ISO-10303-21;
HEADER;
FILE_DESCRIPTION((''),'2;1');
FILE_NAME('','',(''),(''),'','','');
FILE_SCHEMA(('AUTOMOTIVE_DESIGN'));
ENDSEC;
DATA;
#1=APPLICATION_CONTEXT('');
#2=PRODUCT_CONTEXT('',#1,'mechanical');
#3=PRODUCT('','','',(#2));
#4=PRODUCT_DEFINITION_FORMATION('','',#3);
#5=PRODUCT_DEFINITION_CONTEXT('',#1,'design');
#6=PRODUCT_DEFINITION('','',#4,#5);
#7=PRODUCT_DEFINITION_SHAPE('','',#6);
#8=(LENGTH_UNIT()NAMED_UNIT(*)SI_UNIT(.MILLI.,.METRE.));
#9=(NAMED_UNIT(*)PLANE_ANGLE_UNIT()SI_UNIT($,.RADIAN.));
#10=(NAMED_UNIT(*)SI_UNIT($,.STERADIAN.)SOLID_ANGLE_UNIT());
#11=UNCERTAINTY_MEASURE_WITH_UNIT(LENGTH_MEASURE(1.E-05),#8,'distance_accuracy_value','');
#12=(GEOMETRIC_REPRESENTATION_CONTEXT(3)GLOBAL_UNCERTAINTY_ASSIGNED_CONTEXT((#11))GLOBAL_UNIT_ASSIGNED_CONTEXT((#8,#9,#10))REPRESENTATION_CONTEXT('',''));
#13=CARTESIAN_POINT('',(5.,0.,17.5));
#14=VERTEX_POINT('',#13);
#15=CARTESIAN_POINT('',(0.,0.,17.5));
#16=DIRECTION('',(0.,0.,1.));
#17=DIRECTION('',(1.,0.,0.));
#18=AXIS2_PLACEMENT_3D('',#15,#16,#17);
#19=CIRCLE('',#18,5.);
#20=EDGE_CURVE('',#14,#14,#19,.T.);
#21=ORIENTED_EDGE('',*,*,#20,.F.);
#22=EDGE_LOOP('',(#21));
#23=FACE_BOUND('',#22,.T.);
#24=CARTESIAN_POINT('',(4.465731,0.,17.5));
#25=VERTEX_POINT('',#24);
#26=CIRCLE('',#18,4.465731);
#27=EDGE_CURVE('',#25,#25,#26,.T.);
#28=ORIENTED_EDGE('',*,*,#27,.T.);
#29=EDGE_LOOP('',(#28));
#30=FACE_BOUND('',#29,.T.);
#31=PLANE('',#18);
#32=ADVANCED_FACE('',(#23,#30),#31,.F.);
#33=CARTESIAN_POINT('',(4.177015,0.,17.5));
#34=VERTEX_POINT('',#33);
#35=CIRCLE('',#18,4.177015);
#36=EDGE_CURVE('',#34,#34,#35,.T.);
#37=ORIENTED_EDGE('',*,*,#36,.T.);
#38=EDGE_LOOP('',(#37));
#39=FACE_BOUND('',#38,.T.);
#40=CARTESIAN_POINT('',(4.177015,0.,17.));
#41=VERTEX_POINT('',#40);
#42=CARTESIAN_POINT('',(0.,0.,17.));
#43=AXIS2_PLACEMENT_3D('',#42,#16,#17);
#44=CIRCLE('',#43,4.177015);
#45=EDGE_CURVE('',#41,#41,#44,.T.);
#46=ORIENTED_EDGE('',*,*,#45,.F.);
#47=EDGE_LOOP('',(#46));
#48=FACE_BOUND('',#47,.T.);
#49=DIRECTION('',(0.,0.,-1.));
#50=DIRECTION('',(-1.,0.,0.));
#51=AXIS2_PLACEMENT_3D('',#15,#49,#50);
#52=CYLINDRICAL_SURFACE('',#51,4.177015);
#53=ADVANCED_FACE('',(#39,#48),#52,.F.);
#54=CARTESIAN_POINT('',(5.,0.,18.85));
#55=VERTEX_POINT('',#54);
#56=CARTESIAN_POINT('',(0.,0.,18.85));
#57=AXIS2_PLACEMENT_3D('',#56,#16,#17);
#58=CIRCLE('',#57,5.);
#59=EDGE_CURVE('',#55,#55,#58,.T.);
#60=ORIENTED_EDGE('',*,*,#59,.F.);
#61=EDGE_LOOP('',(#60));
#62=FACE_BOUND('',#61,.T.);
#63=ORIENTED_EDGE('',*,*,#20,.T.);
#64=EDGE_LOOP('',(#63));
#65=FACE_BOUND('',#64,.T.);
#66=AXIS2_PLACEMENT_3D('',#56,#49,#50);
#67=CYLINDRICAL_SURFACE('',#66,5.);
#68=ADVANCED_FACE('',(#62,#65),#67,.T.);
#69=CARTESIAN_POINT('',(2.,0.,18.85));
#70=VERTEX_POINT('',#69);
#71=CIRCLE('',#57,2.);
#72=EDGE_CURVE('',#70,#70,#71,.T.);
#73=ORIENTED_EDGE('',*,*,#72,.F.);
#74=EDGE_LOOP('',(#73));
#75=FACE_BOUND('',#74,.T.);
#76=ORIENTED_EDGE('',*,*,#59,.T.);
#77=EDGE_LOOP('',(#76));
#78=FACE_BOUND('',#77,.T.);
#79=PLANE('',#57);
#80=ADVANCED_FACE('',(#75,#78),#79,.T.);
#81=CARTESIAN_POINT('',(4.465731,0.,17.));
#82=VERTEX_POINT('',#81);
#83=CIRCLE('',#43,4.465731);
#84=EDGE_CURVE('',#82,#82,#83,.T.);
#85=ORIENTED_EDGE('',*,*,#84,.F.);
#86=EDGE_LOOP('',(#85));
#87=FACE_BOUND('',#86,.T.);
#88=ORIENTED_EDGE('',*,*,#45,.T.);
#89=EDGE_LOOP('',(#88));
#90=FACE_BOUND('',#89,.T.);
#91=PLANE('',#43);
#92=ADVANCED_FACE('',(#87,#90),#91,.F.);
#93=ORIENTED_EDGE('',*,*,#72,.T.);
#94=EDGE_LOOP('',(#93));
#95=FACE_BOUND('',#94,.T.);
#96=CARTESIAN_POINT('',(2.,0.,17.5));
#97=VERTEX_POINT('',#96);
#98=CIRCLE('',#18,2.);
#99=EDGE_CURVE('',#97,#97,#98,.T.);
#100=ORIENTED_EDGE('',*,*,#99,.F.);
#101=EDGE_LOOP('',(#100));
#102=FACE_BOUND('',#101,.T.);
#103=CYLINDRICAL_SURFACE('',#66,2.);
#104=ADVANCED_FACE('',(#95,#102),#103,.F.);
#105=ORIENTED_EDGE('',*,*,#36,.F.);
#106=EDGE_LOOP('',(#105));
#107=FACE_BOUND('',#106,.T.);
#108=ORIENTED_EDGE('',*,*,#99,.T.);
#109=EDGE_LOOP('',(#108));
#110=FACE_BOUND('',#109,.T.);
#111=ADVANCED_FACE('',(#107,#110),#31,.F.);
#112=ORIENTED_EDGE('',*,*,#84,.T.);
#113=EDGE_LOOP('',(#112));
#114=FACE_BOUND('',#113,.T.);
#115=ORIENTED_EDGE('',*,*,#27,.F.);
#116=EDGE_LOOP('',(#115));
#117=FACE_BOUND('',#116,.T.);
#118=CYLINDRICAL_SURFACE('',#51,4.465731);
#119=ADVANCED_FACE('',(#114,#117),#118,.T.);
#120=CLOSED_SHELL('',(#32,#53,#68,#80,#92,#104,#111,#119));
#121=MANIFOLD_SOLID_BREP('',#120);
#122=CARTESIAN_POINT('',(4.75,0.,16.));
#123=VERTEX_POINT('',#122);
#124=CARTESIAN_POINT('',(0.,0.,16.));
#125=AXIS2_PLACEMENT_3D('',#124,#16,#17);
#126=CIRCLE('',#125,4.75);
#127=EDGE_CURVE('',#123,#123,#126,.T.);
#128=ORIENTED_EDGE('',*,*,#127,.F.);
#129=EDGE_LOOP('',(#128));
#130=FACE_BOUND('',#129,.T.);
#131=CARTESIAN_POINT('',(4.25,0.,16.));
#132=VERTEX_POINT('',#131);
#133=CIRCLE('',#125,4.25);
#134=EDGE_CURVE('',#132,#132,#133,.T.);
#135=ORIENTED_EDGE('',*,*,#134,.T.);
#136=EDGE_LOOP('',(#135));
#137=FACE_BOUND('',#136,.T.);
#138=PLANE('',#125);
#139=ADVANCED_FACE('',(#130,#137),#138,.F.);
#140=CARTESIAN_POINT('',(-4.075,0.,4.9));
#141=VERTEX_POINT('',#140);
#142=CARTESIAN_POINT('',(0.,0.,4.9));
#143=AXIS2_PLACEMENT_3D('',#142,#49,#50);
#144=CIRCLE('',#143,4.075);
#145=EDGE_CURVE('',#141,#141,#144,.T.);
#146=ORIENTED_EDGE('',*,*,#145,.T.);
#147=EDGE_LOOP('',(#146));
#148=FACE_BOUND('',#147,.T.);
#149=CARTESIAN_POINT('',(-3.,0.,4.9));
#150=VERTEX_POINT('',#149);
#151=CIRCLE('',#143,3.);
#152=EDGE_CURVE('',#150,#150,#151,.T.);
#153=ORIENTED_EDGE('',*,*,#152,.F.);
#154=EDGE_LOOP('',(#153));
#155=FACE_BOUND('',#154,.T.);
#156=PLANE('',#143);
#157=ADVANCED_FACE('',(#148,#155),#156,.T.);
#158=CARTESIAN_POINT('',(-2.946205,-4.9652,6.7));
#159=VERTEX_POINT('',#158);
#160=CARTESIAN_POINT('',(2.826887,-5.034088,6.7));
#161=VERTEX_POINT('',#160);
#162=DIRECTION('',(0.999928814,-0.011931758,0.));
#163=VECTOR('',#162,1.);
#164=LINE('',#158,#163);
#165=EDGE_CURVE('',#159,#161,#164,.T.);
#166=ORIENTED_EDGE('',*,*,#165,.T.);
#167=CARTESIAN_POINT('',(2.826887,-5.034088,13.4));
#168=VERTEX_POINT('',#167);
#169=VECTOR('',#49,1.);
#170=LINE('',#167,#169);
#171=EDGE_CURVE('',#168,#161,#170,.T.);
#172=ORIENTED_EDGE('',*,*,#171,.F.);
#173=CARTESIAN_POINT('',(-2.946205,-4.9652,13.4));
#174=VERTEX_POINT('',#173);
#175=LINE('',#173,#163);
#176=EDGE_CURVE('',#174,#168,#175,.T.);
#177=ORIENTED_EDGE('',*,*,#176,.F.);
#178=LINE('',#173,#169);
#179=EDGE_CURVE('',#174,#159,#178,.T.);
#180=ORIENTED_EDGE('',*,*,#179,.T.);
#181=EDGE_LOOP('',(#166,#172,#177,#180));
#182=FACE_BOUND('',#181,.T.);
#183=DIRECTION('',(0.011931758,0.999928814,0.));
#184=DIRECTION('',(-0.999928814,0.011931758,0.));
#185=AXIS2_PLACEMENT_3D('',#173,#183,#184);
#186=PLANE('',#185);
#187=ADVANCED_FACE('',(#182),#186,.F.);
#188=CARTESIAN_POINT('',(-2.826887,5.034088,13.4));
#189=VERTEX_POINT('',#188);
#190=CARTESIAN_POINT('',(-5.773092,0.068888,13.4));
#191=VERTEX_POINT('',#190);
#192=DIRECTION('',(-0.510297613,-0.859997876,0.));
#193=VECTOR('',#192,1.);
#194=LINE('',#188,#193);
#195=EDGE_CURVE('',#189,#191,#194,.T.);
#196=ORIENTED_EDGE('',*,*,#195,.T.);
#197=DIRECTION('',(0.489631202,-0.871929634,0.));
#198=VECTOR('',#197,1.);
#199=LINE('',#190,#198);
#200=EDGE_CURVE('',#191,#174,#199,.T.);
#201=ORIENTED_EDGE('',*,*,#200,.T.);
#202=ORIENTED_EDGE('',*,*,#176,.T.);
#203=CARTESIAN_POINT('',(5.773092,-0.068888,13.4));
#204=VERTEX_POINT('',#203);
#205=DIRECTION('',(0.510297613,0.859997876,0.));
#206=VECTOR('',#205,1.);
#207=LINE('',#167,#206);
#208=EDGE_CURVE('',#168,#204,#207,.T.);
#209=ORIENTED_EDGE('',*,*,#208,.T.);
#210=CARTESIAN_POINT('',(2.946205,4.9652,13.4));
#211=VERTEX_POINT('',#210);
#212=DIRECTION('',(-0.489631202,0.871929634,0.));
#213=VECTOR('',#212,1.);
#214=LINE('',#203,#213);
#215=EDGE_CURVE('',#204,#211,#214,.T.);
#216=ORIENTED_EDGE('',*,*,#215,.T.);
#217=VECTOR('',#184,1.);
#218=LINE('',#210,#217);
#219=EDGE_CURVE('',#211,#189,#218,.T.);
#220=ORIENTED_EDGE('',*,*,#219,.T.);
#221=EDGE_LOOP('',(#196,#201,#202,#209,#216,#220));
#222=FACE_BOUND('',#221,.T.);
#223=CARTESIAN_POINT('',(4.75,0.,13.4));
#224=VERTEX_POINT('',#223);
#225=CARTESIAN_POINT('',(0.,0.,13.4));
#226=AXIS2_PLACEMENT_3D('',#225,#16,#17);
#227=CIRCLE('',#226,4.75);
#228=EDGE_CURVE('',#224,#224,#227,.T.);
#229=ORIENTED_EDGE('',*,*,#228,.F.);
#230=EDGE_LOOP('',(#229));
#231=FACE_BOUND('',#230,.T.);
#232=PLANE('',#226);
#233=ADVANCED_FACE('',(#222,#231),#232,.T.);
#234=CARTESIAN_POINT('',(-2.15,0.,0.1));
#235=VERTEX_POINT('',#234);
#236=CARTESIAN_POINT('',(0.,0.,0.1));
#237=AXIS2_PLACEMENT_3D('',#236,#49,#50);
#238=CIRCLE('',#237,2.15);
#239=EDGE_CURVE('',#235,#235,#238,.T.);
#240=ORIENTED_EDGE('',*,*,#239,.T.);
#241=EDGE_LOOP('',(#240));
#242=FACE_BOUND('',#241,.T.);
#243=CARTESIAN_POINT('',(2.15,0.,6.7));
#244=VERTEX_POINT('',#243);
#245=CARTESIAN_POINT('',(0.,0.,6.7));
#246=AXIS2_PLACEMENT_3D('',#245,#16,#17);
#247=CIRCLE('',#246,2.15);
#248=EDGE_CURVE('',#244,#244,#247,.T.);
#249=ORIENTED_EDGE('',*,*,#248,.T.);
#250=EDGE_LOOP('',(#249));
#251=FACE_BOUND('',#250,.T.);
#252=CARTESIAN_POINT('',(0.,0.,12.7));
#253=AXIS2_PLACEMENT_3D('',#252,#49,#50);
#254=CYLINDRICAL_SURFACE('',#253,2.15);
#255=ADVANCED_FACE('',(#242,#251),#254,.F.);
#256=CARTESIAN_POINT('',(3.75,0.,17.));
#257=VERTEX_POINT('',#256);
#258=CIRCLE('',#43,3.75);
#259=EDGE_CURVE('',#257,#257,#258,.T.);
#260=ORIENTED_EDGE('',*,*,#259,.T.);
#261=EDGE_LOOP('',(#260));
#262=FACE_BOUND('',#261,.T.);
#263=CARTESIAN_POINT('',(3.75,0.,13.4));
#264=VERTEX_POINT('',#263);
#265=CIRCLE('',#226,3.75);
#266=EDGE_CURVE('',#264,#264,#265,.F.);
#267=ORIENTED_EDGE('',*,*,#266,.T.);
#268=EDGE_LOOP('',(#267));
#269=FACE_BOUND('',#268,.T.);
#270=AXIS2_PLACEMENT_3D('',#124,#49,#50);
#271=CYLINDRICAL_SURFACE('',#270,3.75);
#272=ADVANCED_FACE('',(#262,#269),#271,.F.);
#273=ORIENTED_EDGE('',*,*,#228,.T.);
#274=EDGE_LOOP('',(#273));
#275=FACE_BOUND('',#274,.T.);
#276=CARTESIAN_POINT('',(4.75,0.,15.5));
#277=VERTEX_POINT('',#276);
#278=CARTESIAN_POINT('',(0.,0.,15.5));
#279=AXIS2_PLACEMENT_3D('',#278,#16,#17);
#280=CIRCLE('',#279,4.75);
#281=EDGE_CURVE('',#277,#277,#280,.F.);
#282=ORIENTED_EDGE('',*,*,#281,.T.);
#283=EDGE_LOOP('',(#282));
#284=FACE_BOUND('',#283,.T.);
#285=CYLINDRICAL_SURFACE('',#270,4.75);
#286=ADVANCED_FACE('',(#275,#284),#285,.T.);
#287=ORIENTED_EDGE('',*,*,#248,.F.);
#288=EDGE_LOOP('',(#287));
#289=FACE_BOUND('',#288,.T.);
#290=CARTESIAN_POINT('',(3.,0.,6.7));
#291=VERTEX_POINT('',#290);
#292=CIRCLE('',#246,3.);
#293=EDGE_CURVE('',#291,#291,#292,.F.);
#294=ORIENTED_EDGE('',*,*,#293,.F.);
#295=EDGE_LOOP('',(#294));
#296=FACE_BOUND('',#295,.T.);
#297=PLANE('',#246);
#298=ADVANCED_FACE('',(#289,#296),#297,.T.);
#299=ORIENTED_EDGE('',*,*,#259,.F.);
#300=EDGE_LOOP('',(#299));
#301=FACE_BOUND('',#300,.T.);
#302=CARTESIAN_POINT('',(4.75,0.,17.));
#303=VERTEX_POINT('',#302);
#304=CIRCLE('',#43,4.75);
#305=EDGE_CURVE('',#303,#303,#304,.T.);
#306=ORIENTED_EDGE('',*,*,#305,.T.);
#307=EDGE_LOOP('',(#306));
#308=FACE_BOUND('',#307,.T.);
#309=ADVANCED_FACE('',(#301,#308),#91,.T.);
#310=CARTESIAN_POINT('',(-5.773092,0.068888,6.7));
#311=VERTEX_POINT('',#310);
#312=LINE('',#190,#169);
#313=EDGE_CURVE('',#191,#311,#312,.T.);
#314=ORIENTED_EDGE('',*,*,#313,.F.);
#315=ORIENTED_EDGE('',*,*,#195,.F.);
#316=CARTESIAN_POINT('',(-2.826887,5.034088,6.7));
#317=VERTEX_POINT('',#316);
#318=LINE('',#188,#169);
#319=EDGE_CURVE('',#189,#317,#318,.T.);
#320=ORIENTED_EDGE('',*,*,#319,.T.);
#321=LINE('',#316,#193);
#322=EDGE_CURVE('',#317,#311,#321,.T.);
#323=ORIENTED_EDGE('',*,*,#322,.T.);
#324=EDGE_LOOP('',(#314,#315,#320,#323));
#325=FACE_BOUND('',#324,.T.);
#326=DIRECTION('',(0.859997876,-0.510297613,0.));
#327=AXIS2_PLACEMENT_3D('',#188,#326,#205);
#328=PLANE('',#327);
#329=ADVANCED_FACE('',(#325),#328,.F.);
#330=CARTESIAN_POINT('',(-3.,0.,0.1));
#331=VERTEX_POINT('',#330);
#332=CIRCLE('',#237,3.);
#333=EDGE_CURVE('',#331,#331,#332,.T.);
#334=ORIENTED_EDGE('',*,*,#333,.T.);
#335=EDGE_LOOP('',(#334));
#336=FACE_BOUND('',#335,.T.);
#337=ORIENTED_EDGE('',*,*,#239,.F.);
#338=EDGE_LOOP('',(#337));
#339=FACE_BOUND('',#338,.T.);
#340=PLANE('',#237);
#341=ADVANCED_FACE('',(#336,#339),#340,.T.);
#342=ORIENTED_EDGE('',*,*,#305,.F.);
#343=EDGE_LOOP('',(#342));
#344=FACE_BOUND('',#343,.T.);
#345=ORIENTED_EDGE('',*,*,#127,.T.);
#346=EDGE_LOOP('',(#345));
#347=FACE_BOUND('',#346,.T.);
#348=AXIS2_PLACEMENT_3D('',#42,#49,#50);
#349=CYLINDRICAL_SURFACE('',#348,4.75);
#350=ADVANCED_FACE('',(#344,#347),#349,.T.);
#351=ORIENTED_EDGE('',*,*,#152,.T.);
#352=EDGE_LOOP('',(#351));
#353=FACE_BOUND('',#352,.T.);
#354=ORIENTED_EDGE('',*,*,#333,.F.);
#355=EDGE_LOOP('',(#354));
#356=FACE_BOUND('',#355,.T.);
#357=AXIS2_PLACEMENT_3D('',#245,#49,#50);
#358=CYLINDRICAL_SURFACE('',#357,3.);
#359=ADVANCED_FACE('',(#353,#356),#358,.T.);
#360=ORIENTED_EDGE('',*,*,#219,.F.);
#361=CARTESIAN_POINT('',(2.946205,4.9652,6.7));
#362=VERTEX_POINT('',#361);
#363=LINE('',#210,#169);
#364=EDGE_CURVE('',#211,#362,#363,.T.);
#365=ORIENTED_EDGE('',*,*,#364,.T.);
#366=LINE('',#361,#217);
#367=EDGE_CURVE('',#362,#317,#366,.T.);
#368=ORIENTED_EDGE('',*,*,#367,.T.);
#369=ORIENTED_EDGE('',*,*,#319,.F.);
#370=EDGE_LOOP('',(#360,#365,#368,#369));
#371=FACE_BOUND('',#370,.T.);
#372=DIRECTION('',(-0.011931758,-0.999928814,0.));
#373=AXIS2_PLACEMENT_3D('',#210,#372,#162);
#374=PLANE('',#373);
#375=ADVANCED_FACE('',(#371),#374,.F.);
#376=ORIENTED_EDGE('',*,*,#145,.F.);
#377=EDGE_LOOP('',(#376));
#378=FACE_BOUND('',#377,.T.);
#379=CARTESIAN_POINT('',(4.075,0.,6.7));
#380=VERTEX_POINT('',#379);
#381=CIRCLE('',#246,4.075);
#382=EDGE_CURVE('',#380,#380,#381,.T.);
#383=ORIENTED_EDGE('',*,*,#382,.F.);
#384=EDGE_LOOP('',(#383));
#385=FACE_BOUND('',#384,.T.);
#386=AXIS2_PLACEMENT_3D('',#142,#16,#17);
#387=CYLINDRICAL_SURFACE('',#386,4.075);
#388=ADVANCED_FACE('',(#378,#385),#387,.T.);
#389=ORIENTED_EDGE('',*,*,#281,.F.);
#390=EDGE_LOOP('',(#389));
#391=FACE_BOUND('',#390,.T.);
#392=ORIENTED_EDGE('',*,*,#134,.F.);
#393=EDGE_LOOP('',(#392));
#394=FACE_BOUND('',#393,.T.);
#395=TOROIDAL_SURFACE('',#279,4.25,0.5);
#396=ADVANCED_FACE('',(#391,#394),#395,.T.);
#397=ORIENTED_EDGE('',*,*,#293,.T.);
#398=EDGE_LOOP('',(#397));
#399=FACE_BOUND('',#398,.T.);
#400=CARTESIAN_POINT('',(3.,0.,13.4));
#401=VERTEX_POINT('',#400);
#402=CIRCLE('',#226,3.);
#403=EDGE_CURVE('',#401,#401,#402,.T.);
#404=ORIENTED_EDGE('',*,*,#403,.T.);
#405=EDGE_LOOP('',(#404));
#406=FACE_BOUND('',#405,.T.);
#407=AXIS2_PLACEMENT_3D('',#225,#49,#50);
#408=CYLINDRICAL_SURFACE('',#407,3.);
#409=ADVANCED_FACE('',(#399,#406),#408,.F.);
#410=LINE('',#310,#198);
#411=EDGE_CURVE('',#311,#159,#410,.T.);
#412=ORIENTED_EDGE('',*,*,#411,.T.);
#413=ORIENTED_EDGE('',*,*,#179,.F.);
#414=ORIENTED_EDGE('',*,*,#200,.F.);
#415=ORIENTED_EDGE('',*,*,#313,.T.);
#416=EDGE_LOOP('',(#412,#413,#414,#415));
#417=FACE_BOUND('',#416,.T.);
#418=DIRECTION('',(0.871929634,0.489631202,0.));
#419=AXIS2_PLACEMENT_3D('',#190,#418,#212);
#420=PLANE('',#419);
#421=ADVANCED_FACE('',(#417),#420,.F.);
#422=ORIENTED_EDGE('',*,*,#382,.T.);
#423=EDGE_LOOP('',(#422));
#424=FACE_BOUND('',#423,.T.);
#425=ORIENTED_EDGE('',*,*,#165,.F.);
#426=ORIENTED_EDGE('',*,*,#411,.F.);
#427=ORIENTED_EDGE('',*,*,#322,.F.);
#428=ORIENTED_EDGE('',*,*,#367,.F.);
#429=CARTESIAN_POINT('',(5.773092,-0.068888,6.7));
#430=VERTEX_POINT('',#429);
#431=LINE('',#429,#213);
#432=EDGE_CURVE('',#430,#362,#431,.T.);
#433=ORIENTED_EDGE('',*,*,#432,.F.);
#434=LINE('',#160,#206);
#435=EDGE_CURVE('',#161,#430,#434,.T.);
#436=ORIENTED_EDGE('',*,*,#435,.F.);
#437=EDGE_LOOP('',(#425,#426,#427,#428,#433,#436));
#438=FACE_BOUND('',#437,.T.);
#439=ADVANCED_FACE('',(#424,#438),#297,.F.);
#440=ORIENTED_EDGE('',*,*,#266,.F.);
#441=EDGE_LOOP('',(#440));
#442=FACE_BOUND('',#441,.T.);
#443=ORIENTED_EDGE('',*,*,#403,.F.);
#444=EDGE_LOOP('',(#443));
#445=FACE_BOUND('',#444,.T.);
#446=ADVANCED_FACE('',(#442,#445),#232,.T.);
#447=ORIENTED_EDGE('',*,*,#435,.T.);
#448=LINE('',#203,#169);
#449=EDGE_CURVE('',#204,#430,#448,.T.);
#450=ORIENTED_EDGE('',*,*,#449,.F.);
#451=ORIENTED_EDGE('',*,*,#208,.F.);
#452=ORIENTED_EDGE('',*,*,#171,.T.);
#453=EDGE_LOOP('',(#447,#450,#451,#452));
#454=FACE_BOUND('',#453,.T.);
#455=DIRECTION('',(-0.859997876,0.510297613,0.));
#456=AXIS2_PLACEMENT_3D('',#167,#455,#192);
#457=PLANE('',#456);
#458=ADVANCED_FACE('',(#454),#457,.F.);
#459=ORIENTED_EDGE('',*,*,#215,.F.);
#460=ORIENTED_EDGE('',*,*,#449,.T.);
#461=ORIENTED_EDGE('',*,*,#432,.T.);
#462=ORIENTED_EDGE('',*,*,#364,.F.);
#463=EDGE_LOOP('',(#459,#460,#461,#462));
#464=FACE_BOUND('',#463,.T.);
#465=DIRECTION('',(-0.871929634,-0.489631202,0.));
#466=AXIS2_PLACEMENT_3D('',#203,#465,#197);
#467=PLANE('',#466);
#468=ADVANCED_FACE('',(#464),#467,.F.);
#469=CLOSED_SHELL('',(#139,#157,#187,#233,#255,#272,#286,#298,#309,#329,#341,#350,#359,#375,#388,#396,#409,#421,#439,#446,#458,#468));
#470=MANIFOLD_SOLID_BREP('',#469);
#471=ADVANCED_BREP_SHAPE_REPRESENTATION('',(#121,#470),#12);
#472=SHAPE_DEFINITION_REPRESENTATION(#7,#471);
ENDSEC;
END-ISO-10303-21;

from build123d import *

# Parameters (mm, degrees)
SKETCH_1_R          = 3
EXTRUDE_1_DEPTH     = 6.7
SKETCH_2_R          = 3
EXTRUDE_2_DEPTH     = 6.7
SKETCH_3_R          = 3.2
CUT_EXTRUDE_1_DEPTH = 0.1
SKETCH_4_R          = 2.15
CUT_EXTRUDE_2_DEPTH = 12.6
SKETCH_5_R          = 4.75
SKETCH_5_R_2        = 3.75
EXTRUDE_3_DEPTH     = 2.6
FILLET_1_R          = 0.5
SKETCH_6_R          = 4.75
SKETCH_6_R_2        = 3.75
EXTRUDE_4_DEPTH     = 1
SKETCH_7_R          = 4.465730979
SKETCH_7_R_2        = 4.177014906
EXTRUDE_5_DEPTH     = 0.5
SKETCH_8_R          = 5
SKETCH_8_R_2        = 2
EXTRUDE_6_DEPTH     = 1.35
SKETCH_9_R          = 4.075
SKETCH_9_R_2        = 3
EXTRUDE_7_DEPTH     = 1.8


with BuildPart() as part:
    # 草图1 → 凸台-拉伸1 (new body)
    with BuildSketch(Plane.XY):
        Circle(SKETCH_1_R)
    extrude(amount=EXTRUDE_1_DEPTH)

    # 草图3 → 切除-拉伸1 (cut)
    with BuildSketch(Plane(origin=(0, 0, 0), x_dir=(-1, 0, 0), z_dir=(0, 0, -1))):
        Circle(SKETCH_3_R)
    extrude(amount=-CUT_EXTRUDE_1_DEPTH, mode=Mode.SUBTRACT)

    # 草图4 → 切除-拉伸2 (cut)
    with BuildSketch(Plane(origin=(0, 0, 0.1), x_dir=(-1, 0, 0), z_dir=(0, 0, -1))):
        Circle(SKETCH_4_R)
    extrude(amount=-CUT_EXTRUDE_2_DEPTH, mode=Mode.SUBTRACT)



with BuildPart() as body_2:
    # 草图2 → 凸台-拉伸2 (new body)
    with BuildSketch(Plane.XY.offset(6.7)):
        Polygon((2.82688706, -5.034088089), (5.7730917, -0.068888037), (2.946204639, 4.965200052), (-2.82688706, 5.034088089), (-5.7730917, 0.068888037), (-2.946204639, -4.965200052), align=None)
        Circle(SKETCH_2_R, mode=Mode.SUBTRACT)
    extrude(amount=EXTRUDE_2_DEPTH)

    # 草图5 → 凸台-拉伸3 (add)
    with BuildSketch(Plane.XY.offset(13.4)):
        Circle(SKETCH_5_R)
        Circle(SKETCH_5_R_2, mode=Mode.SUBTRACT)
    extrude(amount=EXTRUDE_3_DEPTH)

    # 圆角1
    fillet_1_edges = [body_2.edges().sort_by_distance(p)[0] for p in [
        (-4.75, 0, 16),
    ]]
    fillet(fillet_1_edges, radius=FILLET_1_R)

    # 草图6 → 凸台-拉伸4 (add)
    with BuildSketch(Plane.XY.offset(16)):
        Circle(SKETCH_6_R)
        Circle(SKETCH_6_R_2, mode=Mode.SUBTRACT)
    extrude(amount=EXTRUDE_4_DEPTH)


with BuildPart() as body_3:
    # 草图7 → 凸台-拉伸5 (new body)
    with BuildSketch(Plane.XY.offset(17)):
        Circle(SKETCH_7_R)
        Circle(SKETCH_7_R_2, mode=Mode.SUBTRACT)
    extrude(amount=EXTRUDE_5_DEPTH)

    # 草图8 → 凸台-拉伸6 (add)
    with BuildSketch(Plane.XY.offset(17.5)):
        Circle(SKETCH_8_R)
        Circle(SKETCH_8_R_2, mode=Mode.SUBTRACT)
    extrude(amount=EXTRUDE_6_DEPTH)


with BuildPart() as part_1:
    add(part.part)

    add(body_2.part)  # 凸台-拉伸7 merges body 2
    # 草图9 → 凸台-拉伸7 (add)
    with BuildSketch(Plane(origin=(0, 0, 6.7), x_dir=(-1, 0, 0), z_dir=(0, 0, -1))):
        Circle(SKETCH_9_R)
        Circle(SKETCH_9_R_2, mode=Mode.SUBTRACT)
    extrude(amount=EXTRUDE_7_DEPTH)


solid = Compound([body_3.part, part_1.part])
